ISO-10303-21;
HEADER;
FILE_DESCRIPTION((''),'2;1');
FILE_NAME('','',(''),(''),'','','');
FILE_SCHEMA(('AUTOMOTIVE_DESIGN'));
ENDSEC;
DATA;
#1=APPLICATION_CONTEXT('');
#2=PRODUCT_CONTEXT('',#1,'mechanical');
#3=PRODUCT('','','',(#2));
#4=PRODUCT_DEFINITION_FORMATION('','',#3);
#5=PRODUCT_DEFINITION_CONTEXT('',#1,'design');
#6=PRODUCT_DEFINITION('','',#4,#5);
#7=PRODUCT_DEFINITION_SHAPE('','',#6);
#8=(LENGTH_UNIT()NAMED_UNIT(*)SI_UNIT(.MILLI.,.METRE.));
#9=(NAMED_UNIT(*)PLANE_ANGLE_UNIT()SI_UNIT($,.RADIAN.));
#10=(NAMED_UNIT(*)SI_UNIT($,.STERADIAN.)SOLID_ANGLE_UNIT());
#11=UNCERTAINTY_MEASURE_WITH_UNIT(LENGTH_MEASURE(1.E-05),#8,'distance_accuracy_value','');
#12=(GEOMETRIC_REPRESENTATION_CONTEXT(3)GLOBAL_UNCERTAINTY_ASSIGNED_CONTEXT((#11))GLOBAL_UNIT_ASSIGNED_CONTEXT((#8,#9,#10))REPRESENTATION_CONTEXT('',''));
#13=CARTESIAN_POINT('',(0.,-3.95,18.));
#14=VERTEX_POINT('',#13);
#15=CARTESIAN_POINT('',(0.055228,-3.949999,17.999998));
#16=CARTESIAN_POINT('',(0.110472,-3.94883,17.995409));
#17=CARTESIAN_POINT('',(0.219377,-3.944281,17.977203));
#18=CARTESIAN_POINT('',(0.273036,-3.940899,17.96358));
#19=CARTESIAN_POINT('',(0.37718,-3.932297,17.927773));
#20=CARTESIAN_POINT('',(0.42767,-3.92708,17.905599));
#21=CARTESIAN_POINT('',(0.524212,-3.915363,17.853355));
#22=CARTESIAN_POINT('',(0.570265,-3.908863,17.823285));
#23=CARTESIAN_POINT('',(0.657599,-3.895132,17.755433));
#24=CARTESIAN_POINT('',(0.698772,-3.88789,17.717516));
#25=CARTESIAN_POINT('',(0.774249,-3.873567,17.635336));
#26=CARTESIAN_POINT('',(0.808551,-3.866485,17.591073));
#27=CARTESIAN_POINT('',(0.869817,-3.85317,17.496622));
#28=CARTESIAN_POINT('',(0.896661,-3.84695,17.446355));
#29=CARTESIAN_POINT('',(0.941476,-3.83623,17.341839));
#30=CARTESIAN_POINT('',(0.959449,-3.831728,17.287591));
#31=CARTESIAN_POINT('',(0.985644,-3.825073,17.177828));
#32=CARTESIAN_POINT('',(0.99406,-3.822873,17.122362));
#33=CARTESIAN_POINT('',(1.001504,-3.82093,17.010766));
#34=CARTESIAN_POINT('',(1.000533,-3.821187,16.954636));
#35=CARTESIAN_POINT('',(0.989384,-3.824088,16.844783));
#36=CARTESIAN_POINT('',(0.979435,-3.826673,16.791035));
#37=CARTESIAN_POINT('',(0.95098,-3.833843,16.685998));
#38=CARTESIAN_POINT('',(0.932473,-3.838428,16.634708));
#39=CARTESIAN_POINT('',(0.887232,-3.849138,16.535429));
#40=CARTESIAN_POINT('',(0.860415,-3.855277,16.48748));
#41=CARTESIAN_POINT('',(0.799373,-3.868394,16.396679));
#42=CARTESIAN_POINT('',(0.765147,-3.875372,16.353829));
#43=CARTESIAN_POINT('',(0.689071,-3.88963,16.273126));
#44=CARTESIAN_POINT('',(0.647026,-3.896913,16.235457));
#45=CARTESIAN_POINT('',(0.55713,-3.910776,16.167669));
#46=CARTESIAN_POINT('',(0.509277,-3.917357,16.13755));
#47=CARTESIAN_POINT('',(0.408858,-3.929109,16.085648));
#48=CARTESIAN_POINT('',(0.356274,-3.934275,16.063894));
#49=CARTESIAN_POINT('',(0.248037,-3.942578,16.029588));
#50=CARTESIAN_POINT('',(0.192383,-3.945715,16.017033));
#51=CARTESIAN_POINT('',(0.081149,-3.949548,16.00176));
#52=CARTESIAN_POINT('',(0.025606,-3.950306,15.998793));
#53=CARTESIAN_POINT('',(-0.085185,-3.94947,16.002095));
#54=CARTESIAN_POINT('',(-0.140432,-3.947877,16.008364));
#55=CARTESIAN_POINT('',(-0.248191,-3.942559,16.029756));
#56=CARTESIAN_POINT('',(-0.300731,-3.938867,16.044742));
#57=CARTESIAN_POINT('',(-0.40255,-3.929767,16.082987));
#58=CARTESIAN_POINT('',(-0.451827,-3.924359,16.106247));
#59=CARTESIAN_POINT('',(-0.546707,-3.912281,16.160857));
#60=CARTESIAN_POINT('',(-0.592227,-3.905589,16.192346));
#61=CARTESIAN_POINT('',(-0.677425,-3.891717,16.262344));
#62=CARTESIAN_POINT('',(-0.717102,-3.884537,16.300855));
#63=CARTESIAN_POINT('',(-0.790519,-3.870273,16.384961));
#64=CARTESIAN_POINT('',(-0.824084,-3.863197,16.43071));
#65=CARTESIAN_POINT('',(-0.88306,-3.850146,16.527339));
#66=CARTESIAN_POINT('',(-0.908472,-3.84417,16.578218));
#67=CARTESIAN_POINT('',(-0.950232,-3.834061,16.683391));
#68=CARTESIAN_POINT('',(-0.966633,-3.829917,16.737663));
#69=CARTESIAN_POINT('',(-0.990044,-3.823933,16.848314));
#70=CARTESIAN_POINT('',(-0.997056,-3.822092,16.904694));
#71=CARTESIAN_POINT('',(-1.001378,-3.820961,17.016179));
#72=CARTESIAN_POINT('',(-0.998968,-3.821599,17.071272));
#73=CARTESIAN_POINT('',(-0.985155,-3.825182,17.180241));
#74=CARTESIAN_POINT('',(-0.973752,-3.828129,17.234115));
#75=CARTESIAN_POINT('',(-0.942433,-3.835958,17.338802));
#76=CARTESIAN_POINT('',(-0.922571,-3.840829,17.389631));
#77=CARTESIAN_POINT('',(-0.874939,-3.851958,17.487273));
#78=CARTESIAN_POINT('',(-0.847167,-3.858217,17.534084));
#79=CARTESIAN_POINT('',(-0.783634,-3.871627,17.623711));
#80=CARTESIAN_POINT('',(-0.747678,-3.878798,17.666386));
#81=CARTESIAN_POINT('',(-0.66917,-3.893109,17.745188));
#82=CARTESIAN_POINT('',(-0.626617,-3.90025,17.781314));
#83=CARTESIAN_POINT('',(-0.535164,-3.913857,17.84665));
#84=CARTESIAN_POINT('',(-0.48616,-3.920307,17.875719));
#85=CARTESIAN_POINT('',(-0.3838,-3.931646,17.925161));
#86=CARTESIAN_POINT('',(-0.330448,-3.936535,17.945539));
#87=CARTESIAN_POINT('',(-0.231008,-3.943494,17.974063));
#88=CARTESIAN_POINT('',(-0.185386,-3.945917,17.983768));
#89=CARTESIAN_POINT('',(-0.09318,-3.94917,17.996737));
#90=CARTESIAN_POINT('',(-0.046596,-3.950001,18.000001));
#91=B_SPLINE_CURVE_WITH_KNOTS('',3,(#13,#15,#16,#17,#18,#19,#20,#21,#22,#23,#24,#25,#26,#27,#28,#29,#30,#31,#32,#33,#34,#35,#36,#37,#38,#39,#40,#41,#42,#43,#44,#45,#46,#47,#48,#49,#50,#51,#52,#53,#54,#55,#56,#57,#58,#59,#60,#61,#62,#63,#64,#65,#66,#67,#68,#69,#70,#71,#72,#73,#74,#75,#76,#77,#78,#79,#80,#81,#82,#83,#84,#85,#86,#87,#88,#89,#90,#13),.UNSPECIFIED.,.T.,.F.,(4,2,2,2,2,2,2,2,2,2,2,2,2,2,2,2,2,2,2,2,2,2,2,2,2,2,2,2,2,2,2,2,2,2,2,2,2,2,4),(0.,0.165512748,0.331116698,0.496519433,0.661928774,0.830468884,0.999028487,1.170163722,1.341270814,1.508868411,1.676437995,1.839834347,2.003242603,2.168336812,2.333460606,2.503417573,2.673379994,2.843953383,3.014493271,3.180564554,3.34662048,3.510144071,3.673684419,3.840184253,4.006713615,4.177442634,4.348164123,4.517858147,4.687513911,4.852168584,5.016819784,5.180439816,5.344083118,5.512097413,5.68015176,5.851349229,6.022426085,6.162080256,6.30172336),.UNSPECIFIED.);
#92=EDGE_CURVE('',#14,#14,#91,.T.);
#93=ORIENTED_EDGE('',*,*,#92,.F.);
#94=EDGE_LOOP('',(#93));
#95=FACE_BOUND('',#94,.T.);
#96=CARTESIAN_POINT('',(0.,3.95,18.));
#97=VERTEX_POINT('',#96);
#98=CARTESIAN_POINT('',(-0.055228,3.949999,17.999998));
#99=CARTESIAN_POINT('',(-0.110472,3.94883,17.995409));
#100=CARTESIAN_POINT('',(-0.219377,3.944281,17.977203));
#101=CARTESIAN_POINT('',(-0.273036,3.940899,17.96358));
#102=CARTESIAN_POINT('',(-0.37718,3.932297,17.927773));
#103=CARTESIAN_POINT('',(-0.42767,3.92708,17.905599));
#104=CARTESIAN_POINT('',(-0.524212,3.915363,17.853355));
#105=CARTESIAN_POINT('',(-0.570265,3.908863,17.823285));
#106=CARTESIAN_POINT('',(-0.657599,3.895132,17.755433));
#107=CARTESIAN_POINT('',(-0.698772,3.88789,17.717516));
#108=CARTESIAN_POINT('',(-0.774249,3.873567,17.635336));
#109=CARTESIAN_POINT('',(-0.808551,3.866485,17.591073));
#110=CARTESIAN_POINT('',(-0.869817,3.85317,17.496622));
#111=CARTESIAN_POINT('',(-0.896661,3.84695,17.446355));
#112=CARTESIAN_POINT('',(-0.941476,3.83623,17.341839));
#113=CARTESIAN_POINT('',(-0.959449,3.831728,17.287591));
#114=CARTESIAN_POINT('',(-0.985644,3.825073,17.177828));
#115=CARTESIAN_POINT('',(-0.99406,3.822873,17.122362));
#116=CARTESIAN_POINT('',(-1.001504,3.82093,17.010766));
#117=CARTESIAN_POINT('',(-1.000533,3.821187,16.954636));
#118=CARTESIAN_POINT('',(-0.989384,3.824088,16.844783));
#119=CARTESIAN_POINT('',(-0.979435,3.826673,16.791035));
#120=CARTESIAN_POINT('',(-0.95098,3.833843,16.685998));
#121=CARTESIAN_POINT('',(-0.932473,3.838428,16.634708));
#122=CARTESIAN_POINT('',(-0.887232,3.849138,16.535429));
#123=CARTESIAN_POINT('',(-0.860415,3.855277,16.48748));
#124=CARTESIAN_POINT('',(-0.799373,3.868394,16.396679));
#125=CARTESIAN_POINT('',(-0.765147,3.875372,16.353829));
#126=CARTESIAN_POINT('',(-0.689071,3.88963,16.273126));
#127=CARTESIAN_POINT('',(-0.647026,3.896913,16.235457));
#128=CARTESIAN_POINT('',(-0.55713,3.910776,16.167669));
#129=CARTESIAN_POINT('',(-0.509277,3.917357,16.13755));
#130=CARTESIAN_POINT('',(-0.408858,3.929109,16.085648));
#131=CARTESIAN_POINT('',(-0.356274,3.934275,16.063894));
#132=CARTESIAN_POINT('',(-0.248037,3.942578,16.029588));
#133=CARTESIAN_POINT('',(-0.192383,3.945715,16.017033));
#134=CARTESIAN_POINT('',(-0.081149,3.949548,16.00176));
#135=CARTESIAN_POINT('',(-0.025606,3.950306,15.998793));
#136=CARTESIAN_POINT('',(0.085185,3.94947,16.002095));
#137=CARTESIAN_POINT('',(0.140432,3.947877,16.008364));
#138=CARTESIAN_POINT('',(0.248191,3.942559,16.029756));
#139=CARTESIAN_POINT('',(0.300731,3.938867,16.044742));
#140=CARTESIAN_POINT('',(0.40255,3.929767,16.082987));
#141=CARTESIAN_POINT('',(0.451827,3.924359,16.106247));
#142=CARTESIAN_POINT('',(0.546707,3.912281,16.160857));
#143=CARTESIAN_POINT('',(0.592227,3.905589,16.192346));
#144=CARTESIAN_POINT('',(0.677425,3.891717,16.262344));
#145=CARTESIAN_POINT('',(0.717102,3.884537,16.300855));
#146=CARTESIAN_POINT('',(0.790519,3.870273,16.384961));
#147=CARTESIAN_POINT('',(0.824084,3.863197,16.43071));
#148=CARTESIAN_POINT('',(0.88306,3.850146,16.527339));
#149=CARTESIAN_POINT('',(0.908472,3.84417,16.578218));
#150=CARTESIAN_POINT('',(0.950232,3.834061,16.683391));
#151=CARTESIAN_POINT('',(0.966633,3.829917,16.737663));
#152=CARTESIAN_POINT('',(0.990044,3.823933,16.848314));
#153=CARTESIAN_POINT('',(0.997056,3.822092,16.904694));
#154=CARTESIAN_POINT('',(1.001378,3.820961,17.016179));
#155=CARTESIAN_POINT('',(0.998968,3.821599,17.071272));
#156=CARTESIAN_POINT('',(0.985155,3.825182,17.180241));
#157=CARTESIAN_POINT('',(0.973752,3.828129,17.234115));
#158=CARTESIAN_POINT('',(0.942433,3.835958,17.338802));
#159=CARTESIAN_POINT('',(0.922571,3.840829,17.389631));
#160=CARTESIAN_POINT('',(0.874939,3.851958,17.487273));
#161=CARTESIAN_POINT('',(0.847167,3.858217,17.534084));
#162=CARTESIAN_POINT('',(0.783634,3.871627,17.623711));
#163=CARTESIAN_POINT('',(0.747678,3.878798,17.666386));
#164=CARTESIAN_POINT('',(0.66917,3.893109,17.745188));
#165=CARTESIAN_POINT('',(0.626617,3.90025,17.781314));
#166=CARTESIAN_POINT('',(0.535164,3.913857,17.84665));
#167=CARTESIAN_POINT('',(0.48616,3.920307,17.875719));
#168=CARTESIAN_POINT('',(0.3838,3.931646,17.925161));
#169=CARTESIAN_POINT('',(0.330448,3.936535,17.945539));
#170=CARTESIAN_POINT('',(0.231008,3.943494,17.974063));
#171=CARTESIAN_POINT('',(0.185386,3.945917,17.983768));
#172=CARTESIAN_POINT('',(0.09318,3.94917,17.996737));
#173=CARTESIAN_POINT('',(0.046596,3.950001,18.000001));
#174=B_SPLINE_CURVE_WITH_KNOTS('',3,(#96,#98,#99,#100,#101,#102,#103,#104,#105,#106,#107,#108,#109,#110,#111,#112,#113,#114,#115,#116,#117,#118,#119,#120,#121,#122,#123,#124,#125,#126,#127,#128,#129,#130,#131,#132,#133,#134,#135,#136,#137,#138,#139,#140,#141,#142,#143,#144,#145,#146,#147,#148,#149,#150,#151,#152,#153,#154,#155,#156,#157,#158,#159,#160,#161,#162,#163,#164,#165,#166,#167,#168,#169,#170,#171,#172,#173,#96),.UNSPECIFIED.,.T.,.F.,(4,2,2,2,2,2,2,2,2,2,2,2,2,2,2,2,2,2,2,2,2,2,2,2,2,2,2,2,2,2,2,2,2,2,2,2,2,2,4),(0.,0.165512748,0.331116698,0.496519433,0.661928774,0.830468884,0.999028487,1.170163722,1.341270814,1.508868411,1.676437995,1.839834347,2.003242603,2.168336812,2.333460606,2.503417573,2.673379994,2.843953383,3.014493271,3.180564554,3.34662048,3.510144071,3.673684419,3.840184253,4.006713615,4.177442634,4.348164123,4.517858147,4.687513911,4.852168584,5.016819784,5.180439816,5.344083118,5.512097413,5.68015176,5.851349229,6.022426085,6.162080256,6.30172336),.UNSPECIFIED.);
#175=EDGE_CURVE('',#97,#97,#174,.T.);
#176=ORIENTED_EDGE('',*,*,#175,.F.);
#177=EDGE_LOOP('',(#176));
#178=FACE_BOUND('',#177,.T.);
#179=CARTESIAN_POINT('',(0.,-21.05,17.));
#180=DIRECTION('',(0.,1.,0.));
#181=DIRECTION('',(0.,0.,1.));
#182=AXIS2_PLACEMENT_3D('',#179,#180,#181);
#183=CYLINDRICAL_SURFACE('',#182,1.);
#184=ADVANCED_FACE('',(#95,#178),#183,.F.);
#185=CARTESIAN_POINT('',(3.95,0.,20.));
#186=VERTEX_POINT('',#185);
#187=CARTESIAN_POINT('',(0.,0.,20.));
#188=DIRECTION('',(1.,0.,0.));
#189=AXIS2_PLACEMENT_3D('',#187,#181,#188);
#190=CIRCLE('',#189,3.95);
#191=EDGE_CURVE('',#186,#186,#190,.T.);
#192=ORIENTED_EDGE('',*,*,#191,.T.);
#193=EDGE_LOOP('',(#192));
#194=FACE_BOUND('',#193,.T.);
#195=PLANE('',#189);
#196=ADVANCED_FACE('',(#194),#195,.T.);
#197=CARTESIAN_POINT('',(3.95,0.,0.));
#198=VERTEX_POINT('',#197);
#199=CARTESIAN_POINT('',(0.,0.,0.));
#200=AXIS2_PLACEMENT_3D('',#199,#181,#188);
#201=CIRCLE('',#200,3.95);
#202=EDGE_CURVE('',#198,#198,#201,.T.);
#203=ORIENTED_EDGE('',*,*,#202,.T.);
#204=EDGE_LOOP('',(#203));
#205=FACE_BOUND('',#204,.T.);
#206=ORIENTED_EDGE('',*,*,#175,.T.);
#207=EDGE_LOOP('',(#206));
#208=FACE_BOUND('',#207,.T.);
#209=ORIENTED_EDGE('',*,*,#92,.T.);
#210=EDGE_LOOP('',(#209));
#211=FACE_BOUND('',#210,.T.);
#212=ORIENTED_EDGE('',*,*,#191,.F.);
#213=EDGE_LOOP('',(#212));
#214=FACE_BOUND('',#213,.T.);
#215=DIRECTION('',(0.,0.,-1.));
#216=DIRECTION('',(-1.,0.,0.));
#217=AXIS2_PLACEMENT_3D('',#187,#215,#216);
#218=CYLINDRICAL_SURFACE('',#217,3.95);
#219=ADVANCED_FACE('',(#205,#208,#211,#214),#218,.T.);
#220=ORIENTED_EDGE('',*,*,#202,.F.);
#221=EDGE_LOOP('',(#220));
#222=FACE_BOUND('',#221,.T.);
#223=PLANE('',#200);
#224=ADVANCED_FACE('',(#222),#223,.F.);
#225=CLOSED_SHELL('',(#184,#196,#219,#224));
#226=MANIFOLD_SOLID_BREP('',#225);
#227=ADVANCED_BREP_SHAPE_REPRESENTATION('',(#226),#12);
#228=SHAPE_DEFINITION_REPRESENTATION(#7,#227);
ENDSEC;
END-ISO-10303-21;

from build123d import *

# Parameters (mm, degrees)
SKETCH1_R           = 3.95
BOSS_EXTRUDE1_DEPTH = 20
SKETCH2_R           = 1
CUT_EXTRUDE1_DEPTH  = 25


with BuildPart() as part:
    # Sketch1 → Boss-Extrude1 (new body)
    with BuildSketch(Plane.XY):
        Circle(SKETCH1_R)
    extrude(amount=BOSS_EXTRUDE1_DEPTH)

    # Sketch2 → Cut-Extrude1 (cut)
    with BuildSketch(Plane(origin=(0, 3.95, 0), x_dir=(1, 0, 0), z_dir=(0, 1, 0))):
        with Locations(Location((0, -17, 0), (0, 0, 270))):
            Circle(SKETCH2_R)
    extrude(amount=-CUT_EXTRUDE1_DEPTH, mode=Mode.SUBTRACT)


solid = part.part
